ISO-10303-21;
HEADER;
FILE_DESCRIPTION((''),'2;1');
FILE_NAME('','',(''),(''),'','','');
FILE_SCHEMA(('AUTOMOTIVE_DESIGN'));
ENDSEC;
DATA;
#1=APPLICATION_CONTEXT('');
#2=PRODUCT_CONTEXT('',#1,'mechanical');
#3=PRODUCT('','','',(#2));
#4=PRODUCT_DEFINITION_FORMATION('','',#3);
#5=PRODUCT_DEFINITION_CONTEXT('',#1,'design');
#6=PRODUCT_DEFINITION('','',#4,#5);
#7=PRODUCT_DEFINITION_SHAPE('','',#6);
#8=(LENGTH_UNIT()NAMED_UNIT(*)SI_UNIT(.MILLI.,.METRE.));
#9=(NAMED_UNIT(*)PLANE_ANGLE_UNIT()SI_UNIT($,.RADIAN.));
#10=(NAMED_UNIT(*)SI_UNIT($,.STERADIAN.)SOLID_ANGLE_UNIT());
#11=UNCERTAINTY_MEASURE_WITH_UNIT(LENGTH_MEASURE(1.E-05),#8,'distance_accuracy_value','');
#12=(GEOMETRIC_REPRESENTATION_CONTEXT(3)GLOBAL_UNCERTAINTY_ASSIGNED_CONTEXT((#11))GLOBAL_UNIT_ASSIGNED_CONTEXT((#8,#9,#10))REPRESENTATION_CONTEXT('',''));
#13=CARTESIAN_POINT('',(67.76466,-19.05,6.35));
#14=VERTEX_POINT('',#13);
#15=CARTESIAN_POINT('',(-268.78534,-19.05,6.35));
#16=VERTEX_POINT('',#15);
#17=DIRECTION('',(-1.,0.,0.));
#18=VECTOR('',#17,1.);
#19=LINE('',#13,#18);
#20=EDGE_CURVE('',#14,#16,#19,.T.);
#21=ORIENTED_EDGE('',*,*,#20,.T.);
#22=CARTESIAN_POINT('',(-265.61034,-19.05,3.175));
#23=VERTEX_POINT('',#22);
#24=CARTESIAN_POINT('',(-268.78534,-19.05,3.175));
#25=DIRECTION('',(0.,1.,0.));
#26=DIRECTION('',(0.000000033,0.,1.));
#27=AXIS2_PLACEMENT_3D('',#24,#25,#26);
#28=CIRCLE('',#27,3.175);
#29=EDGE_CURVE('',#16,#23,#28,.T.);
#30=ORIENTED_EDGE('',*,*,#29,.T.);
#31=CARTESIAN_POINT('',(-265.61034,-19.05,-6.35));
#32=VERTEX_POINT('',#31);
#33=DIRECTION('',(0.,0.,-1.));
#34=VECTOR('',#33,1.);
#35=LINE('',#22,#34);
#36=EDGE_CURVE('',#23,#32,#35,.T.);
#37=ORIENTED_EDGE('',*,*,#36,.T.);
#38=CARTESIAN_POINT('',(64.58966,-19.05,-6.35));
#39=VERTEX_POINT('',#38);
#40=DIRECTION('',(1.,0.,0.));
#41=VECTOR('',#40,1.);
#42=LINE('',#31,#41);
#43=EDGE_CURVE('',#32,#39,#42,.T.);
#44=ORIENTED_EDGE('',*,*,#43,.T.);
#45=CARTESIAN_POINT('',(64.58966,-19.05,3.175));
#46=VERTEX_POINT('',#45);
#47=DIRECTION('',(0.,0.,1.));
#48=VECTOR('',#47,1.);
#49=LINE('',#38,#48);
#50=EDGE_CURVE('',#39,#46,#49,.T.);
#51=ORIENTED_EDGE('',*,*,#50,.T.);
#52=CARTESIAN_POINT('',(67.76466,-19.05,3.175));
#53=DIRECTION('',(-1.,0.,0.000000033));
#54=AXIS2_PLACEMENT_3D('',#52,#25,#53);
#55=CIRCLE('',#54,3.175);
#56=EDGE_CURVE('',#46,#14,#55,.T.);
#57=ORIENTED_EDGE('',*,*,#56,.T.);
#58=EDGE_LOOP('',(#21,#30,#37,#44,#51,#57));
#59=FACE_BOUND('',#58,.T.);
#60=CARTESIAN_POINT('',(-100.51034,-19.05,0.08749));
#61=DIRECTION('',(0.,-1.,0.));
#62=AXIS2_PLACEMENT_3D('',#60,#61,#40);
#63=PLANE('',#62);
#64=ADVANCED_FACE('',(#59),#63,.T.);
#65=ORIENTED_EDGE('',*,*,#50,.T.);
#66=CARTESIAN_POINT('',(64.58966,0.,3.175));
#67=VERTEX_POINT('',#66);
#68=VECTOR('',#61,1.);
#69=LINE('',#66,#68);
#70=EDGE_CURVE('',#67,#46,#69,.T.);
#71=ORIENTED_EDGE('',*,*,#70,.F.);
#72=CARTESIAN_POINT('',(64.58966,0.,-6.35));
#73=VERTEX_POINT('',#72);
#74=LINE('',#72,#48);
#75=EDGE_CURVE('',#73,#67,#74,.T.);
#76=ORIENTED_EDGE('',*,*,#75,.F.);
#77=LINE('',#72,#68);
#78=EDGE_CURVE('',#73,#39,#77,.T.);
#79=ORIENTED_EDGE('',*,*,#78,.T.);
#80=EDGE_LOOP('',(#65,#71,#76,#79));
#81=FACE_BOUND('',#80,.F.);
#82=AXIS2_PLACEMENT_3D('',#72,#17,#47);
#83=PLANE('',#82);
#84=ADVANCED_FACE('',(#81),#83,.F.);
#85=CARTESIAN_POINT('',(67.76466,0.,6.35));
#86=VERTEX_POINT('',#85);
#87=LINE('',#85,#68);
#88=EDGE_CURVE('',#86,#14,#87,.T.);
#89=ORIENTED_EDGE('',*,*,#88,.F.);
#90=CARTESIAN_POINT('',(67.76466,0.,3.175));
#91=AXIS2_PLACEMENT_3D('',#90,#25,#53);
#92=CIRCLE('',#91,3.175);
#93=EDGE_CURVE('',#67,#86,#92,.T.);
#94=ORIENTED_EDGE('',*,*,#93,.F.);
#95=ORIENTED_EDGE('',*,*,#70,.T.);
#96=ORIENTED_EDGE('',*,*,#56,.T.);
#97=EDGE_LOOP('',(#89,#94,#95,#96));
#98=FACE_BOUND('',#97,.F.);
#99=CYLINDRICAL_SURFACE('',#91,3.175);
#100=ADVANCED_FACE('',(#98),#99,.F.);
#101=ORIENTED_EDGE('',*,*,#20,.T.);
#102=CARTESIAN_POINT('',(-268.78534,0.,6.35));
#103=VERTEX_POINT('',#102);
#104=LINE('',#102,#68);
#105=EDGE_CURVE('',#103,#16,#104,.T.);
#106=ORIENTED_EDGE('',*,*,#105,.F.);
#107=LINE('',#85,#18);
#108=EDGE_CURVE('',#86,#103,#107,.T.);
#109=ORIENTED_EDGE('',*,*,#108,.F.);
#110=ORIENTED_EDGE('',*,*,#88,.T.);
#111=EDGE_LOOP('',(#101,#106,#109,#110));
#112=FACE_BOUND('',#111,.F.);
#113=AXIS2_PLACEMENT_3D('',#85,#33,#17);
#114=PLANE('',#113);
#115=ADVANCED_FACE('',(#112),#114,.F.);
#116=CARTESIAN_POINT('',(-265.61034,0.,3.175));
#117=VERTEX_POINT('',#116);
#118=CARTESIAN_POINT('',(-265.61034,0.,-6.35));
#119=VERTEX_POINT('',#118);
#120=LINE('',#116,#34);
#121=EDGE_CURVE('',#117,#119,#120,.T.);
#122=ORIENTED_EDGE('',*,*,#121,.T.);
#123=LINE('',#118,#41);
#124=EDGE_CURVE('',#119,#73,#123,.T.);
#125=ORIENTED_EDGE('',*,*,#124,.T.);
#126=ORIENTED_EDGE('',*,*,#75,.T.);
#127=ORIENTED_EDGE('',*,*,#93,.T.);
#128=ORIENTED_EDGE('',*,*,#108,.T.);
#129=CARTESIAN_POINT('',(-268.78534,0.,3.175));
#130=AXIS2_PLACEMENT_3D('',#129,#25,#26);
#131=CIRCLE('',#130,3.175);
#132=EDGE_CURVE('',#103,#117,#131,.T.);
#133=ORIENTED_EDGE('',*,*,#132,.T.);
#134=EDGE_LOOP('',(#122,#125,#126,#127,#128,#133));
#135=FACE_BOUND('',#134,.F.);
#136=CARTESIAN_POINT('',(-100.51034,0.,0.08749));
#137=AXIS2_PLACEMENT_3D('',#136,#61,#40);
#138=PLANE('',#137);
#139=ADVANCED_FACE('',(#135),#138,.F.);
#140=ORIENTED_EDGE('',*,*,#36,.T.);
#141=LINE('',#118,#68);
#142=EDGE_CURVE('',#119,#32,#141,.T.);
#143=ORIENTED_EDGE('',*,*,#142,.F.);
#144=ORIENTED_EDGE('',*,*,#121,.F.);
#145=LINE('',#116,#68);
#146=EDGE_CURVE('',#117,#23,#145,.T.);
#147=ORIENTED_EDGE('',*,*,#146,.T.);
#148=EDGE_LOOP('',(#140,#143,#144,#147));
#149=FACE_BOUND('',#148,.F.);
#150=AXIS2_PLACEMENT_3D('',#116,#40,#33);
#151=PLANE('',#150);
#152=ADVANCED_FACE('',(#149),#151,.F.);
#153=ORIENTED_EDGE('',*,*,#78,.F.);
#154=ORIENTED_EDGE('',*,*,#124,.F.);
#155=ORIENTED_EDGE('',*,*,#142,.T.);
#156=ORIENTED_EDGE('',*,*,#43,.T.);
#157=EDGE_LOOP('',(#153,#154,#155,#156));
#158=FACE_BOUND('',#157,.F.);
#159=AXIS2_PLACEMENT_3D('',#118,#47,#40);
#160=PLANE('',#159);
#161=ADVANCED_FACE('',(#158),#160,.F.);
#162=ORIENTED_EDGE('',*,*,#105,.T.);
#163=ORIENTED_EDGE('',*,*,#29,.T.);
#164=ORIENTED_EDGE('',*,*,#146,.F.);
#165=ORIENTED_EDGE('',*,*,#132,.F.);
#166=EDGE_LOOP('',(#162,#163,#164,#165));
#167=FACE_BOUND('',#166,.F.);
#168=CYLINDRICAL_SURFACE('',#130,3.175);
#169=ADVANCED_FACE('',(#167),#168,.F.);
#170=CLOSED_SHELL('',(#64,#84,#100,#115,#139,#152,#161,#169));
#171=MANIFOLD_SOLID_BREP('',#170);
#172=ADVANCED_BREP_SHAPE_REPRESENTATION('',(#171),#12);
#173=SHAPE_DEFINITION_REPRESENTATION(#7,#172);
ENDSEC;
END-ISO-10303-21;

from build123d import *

# Parameters (mm, degrees)
F1_DEPTH = 19.05


with BuildPart() as f1:
    # F0 (on Front) → F1 (new body)
    with BuildSketch(Plane.XZ):
        with BuildLine():
            ThreePointArc((64.58966, 3.175), (65.519596, 5.420064), (67.76466, 6.35))
            Line((67.76466, 6.35), (-268.78534, 6.35))
            ThreePointArc((-268.78534, 6.35), (-266.540276, 5.420064), (-265.61034, 3.175))
            Line((-265.61034, 3.175), (-265.61034, -6.35))
            Line((-265.61034, -6.35), (64.58966, -6.35))
            Line((64.58966, -6.35), (64.58966, 3.175))
        make_face()
    extrude(amount=F1_DEPTH)


solid = f1.part
